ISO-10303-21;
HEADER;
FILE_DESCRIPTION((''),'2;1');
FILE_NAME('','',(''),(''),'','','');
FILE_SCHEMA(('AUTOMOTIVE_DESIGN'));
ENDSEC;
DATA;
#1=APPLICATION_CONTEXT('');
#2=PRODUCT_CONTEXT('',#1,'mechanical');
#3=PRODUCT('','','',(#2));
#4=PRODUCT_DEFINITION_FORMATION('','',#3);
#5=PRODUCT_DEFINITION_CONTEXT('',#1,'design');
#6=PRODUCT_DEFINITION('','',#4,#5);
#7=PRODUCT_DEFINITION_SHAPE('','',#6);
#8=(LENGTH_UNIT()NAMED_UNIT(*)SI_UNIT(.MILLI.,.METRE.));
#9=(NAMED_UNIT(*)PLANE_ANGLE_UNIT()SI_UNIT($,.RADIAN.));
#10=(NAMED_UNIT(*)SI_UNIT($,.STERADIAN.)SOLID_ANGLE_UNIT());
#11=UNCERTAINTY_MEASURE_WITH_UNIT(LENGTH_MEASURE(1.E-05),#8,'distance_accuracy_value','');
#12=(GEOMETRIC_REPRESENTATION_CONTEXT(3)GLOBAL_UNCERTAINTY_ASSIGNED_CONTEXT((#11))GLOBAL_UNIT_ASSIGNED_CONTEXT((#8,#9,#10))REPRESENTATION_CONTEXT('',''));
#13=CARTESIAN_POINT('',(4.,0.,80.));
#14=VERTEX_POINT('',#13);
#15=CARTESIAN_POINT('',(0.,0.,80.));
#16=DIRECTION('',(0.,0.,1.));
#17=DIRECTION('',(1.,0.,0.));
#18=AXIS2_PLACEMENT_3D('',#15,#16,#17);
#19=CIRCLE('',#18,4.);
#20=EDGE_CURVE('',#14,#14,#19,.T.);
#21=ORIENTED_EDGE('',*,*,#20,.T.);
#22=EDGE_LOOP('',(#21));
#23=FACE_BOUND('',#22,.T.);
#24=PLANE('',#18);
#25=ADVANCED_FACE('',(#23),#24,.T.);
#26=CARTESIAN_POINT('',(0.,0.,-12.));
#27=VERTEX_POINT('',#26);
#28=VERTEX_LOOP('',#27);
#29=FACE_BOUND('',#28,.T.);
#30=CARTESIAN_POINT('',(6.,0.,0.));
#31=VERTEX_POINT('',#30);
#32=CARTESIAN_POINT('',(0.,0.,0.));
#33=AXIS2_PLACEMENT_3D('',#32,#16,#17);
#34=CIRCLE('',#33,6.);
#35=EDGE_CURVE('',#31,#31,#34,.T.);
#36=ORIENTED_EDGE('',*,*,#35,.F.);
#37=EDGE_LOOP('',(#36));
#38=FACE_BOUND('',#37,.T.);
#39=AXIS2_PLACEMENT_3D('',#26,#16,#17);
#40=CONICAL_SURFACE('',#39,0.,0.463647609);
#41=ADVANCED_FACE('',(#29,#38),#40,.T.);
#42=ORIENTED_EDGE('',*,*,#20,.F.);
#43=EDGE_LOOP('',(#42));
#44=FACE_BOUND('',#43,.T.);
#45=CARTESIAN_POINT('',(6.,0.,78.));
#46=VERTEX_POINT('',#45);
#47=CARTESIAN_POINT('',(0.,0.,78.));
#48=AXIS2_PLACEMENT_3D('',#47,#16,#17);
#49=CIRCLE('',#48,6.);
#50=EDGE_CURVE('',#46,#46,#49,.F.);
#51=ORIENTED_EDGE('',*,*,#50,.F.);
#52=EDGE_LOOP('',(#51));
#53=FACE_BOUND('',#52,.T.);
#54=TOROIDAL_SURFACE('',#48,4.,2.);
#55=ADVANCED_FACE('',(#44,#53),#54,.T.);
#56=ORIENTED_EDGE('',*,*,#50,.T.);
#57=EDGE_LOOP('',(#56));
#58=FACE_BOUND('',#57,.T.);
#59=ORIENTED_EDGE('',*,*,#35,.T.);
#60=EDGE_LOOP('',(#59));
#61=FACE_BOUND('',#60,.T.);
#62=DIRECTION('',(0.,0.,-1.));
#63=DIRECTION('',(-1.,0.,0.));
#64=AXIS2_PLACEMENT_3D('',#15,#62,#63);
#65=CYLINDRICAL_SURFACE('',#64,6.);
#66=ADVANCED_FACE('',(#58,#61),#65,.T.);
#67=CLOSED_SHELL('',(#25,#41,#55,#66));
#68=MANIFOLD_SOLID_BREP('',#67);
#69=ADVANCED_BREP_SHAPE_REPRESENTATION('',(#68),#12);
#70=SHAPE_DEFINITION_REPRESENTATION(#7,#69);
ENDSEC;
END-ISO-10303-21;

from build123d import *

# Parameters (mm, degrees)
ESQUISSE1_R        = 6
BOSS_EXTRU_1_DEPTH = 80
CONG_1_R           = 2


with BuildPart() as part:
    # Esquisse1 → Boss.-Extru.1 (new body)
    with BuildSketch(Plane.XY):
        Circle(ESQUISSE1_R)
    extrude(amount=BOSS_EXTRU_1_DEPTH)

    # Esquisse4 → Révolution1 (revolve)
    with BuildSketch(Plane(origin=(0, 0, 0), x_dir=(1, 0, 0), z_dir=(0, 1, 0))):
        Polygon((0, 0), (0, 12), (-6, 0), align=None)
    revolve(axis=Axis((0, 0, 0), (0, 0, -1)))

    # Congé1
    cong_1_edges = [part.edges().sort_by_distance(p)[0] for p in [
        (-6, 0, 80),
    ]]
    fillet(cong_1_edges, radius=CONG_1_R)


solid = part.part
